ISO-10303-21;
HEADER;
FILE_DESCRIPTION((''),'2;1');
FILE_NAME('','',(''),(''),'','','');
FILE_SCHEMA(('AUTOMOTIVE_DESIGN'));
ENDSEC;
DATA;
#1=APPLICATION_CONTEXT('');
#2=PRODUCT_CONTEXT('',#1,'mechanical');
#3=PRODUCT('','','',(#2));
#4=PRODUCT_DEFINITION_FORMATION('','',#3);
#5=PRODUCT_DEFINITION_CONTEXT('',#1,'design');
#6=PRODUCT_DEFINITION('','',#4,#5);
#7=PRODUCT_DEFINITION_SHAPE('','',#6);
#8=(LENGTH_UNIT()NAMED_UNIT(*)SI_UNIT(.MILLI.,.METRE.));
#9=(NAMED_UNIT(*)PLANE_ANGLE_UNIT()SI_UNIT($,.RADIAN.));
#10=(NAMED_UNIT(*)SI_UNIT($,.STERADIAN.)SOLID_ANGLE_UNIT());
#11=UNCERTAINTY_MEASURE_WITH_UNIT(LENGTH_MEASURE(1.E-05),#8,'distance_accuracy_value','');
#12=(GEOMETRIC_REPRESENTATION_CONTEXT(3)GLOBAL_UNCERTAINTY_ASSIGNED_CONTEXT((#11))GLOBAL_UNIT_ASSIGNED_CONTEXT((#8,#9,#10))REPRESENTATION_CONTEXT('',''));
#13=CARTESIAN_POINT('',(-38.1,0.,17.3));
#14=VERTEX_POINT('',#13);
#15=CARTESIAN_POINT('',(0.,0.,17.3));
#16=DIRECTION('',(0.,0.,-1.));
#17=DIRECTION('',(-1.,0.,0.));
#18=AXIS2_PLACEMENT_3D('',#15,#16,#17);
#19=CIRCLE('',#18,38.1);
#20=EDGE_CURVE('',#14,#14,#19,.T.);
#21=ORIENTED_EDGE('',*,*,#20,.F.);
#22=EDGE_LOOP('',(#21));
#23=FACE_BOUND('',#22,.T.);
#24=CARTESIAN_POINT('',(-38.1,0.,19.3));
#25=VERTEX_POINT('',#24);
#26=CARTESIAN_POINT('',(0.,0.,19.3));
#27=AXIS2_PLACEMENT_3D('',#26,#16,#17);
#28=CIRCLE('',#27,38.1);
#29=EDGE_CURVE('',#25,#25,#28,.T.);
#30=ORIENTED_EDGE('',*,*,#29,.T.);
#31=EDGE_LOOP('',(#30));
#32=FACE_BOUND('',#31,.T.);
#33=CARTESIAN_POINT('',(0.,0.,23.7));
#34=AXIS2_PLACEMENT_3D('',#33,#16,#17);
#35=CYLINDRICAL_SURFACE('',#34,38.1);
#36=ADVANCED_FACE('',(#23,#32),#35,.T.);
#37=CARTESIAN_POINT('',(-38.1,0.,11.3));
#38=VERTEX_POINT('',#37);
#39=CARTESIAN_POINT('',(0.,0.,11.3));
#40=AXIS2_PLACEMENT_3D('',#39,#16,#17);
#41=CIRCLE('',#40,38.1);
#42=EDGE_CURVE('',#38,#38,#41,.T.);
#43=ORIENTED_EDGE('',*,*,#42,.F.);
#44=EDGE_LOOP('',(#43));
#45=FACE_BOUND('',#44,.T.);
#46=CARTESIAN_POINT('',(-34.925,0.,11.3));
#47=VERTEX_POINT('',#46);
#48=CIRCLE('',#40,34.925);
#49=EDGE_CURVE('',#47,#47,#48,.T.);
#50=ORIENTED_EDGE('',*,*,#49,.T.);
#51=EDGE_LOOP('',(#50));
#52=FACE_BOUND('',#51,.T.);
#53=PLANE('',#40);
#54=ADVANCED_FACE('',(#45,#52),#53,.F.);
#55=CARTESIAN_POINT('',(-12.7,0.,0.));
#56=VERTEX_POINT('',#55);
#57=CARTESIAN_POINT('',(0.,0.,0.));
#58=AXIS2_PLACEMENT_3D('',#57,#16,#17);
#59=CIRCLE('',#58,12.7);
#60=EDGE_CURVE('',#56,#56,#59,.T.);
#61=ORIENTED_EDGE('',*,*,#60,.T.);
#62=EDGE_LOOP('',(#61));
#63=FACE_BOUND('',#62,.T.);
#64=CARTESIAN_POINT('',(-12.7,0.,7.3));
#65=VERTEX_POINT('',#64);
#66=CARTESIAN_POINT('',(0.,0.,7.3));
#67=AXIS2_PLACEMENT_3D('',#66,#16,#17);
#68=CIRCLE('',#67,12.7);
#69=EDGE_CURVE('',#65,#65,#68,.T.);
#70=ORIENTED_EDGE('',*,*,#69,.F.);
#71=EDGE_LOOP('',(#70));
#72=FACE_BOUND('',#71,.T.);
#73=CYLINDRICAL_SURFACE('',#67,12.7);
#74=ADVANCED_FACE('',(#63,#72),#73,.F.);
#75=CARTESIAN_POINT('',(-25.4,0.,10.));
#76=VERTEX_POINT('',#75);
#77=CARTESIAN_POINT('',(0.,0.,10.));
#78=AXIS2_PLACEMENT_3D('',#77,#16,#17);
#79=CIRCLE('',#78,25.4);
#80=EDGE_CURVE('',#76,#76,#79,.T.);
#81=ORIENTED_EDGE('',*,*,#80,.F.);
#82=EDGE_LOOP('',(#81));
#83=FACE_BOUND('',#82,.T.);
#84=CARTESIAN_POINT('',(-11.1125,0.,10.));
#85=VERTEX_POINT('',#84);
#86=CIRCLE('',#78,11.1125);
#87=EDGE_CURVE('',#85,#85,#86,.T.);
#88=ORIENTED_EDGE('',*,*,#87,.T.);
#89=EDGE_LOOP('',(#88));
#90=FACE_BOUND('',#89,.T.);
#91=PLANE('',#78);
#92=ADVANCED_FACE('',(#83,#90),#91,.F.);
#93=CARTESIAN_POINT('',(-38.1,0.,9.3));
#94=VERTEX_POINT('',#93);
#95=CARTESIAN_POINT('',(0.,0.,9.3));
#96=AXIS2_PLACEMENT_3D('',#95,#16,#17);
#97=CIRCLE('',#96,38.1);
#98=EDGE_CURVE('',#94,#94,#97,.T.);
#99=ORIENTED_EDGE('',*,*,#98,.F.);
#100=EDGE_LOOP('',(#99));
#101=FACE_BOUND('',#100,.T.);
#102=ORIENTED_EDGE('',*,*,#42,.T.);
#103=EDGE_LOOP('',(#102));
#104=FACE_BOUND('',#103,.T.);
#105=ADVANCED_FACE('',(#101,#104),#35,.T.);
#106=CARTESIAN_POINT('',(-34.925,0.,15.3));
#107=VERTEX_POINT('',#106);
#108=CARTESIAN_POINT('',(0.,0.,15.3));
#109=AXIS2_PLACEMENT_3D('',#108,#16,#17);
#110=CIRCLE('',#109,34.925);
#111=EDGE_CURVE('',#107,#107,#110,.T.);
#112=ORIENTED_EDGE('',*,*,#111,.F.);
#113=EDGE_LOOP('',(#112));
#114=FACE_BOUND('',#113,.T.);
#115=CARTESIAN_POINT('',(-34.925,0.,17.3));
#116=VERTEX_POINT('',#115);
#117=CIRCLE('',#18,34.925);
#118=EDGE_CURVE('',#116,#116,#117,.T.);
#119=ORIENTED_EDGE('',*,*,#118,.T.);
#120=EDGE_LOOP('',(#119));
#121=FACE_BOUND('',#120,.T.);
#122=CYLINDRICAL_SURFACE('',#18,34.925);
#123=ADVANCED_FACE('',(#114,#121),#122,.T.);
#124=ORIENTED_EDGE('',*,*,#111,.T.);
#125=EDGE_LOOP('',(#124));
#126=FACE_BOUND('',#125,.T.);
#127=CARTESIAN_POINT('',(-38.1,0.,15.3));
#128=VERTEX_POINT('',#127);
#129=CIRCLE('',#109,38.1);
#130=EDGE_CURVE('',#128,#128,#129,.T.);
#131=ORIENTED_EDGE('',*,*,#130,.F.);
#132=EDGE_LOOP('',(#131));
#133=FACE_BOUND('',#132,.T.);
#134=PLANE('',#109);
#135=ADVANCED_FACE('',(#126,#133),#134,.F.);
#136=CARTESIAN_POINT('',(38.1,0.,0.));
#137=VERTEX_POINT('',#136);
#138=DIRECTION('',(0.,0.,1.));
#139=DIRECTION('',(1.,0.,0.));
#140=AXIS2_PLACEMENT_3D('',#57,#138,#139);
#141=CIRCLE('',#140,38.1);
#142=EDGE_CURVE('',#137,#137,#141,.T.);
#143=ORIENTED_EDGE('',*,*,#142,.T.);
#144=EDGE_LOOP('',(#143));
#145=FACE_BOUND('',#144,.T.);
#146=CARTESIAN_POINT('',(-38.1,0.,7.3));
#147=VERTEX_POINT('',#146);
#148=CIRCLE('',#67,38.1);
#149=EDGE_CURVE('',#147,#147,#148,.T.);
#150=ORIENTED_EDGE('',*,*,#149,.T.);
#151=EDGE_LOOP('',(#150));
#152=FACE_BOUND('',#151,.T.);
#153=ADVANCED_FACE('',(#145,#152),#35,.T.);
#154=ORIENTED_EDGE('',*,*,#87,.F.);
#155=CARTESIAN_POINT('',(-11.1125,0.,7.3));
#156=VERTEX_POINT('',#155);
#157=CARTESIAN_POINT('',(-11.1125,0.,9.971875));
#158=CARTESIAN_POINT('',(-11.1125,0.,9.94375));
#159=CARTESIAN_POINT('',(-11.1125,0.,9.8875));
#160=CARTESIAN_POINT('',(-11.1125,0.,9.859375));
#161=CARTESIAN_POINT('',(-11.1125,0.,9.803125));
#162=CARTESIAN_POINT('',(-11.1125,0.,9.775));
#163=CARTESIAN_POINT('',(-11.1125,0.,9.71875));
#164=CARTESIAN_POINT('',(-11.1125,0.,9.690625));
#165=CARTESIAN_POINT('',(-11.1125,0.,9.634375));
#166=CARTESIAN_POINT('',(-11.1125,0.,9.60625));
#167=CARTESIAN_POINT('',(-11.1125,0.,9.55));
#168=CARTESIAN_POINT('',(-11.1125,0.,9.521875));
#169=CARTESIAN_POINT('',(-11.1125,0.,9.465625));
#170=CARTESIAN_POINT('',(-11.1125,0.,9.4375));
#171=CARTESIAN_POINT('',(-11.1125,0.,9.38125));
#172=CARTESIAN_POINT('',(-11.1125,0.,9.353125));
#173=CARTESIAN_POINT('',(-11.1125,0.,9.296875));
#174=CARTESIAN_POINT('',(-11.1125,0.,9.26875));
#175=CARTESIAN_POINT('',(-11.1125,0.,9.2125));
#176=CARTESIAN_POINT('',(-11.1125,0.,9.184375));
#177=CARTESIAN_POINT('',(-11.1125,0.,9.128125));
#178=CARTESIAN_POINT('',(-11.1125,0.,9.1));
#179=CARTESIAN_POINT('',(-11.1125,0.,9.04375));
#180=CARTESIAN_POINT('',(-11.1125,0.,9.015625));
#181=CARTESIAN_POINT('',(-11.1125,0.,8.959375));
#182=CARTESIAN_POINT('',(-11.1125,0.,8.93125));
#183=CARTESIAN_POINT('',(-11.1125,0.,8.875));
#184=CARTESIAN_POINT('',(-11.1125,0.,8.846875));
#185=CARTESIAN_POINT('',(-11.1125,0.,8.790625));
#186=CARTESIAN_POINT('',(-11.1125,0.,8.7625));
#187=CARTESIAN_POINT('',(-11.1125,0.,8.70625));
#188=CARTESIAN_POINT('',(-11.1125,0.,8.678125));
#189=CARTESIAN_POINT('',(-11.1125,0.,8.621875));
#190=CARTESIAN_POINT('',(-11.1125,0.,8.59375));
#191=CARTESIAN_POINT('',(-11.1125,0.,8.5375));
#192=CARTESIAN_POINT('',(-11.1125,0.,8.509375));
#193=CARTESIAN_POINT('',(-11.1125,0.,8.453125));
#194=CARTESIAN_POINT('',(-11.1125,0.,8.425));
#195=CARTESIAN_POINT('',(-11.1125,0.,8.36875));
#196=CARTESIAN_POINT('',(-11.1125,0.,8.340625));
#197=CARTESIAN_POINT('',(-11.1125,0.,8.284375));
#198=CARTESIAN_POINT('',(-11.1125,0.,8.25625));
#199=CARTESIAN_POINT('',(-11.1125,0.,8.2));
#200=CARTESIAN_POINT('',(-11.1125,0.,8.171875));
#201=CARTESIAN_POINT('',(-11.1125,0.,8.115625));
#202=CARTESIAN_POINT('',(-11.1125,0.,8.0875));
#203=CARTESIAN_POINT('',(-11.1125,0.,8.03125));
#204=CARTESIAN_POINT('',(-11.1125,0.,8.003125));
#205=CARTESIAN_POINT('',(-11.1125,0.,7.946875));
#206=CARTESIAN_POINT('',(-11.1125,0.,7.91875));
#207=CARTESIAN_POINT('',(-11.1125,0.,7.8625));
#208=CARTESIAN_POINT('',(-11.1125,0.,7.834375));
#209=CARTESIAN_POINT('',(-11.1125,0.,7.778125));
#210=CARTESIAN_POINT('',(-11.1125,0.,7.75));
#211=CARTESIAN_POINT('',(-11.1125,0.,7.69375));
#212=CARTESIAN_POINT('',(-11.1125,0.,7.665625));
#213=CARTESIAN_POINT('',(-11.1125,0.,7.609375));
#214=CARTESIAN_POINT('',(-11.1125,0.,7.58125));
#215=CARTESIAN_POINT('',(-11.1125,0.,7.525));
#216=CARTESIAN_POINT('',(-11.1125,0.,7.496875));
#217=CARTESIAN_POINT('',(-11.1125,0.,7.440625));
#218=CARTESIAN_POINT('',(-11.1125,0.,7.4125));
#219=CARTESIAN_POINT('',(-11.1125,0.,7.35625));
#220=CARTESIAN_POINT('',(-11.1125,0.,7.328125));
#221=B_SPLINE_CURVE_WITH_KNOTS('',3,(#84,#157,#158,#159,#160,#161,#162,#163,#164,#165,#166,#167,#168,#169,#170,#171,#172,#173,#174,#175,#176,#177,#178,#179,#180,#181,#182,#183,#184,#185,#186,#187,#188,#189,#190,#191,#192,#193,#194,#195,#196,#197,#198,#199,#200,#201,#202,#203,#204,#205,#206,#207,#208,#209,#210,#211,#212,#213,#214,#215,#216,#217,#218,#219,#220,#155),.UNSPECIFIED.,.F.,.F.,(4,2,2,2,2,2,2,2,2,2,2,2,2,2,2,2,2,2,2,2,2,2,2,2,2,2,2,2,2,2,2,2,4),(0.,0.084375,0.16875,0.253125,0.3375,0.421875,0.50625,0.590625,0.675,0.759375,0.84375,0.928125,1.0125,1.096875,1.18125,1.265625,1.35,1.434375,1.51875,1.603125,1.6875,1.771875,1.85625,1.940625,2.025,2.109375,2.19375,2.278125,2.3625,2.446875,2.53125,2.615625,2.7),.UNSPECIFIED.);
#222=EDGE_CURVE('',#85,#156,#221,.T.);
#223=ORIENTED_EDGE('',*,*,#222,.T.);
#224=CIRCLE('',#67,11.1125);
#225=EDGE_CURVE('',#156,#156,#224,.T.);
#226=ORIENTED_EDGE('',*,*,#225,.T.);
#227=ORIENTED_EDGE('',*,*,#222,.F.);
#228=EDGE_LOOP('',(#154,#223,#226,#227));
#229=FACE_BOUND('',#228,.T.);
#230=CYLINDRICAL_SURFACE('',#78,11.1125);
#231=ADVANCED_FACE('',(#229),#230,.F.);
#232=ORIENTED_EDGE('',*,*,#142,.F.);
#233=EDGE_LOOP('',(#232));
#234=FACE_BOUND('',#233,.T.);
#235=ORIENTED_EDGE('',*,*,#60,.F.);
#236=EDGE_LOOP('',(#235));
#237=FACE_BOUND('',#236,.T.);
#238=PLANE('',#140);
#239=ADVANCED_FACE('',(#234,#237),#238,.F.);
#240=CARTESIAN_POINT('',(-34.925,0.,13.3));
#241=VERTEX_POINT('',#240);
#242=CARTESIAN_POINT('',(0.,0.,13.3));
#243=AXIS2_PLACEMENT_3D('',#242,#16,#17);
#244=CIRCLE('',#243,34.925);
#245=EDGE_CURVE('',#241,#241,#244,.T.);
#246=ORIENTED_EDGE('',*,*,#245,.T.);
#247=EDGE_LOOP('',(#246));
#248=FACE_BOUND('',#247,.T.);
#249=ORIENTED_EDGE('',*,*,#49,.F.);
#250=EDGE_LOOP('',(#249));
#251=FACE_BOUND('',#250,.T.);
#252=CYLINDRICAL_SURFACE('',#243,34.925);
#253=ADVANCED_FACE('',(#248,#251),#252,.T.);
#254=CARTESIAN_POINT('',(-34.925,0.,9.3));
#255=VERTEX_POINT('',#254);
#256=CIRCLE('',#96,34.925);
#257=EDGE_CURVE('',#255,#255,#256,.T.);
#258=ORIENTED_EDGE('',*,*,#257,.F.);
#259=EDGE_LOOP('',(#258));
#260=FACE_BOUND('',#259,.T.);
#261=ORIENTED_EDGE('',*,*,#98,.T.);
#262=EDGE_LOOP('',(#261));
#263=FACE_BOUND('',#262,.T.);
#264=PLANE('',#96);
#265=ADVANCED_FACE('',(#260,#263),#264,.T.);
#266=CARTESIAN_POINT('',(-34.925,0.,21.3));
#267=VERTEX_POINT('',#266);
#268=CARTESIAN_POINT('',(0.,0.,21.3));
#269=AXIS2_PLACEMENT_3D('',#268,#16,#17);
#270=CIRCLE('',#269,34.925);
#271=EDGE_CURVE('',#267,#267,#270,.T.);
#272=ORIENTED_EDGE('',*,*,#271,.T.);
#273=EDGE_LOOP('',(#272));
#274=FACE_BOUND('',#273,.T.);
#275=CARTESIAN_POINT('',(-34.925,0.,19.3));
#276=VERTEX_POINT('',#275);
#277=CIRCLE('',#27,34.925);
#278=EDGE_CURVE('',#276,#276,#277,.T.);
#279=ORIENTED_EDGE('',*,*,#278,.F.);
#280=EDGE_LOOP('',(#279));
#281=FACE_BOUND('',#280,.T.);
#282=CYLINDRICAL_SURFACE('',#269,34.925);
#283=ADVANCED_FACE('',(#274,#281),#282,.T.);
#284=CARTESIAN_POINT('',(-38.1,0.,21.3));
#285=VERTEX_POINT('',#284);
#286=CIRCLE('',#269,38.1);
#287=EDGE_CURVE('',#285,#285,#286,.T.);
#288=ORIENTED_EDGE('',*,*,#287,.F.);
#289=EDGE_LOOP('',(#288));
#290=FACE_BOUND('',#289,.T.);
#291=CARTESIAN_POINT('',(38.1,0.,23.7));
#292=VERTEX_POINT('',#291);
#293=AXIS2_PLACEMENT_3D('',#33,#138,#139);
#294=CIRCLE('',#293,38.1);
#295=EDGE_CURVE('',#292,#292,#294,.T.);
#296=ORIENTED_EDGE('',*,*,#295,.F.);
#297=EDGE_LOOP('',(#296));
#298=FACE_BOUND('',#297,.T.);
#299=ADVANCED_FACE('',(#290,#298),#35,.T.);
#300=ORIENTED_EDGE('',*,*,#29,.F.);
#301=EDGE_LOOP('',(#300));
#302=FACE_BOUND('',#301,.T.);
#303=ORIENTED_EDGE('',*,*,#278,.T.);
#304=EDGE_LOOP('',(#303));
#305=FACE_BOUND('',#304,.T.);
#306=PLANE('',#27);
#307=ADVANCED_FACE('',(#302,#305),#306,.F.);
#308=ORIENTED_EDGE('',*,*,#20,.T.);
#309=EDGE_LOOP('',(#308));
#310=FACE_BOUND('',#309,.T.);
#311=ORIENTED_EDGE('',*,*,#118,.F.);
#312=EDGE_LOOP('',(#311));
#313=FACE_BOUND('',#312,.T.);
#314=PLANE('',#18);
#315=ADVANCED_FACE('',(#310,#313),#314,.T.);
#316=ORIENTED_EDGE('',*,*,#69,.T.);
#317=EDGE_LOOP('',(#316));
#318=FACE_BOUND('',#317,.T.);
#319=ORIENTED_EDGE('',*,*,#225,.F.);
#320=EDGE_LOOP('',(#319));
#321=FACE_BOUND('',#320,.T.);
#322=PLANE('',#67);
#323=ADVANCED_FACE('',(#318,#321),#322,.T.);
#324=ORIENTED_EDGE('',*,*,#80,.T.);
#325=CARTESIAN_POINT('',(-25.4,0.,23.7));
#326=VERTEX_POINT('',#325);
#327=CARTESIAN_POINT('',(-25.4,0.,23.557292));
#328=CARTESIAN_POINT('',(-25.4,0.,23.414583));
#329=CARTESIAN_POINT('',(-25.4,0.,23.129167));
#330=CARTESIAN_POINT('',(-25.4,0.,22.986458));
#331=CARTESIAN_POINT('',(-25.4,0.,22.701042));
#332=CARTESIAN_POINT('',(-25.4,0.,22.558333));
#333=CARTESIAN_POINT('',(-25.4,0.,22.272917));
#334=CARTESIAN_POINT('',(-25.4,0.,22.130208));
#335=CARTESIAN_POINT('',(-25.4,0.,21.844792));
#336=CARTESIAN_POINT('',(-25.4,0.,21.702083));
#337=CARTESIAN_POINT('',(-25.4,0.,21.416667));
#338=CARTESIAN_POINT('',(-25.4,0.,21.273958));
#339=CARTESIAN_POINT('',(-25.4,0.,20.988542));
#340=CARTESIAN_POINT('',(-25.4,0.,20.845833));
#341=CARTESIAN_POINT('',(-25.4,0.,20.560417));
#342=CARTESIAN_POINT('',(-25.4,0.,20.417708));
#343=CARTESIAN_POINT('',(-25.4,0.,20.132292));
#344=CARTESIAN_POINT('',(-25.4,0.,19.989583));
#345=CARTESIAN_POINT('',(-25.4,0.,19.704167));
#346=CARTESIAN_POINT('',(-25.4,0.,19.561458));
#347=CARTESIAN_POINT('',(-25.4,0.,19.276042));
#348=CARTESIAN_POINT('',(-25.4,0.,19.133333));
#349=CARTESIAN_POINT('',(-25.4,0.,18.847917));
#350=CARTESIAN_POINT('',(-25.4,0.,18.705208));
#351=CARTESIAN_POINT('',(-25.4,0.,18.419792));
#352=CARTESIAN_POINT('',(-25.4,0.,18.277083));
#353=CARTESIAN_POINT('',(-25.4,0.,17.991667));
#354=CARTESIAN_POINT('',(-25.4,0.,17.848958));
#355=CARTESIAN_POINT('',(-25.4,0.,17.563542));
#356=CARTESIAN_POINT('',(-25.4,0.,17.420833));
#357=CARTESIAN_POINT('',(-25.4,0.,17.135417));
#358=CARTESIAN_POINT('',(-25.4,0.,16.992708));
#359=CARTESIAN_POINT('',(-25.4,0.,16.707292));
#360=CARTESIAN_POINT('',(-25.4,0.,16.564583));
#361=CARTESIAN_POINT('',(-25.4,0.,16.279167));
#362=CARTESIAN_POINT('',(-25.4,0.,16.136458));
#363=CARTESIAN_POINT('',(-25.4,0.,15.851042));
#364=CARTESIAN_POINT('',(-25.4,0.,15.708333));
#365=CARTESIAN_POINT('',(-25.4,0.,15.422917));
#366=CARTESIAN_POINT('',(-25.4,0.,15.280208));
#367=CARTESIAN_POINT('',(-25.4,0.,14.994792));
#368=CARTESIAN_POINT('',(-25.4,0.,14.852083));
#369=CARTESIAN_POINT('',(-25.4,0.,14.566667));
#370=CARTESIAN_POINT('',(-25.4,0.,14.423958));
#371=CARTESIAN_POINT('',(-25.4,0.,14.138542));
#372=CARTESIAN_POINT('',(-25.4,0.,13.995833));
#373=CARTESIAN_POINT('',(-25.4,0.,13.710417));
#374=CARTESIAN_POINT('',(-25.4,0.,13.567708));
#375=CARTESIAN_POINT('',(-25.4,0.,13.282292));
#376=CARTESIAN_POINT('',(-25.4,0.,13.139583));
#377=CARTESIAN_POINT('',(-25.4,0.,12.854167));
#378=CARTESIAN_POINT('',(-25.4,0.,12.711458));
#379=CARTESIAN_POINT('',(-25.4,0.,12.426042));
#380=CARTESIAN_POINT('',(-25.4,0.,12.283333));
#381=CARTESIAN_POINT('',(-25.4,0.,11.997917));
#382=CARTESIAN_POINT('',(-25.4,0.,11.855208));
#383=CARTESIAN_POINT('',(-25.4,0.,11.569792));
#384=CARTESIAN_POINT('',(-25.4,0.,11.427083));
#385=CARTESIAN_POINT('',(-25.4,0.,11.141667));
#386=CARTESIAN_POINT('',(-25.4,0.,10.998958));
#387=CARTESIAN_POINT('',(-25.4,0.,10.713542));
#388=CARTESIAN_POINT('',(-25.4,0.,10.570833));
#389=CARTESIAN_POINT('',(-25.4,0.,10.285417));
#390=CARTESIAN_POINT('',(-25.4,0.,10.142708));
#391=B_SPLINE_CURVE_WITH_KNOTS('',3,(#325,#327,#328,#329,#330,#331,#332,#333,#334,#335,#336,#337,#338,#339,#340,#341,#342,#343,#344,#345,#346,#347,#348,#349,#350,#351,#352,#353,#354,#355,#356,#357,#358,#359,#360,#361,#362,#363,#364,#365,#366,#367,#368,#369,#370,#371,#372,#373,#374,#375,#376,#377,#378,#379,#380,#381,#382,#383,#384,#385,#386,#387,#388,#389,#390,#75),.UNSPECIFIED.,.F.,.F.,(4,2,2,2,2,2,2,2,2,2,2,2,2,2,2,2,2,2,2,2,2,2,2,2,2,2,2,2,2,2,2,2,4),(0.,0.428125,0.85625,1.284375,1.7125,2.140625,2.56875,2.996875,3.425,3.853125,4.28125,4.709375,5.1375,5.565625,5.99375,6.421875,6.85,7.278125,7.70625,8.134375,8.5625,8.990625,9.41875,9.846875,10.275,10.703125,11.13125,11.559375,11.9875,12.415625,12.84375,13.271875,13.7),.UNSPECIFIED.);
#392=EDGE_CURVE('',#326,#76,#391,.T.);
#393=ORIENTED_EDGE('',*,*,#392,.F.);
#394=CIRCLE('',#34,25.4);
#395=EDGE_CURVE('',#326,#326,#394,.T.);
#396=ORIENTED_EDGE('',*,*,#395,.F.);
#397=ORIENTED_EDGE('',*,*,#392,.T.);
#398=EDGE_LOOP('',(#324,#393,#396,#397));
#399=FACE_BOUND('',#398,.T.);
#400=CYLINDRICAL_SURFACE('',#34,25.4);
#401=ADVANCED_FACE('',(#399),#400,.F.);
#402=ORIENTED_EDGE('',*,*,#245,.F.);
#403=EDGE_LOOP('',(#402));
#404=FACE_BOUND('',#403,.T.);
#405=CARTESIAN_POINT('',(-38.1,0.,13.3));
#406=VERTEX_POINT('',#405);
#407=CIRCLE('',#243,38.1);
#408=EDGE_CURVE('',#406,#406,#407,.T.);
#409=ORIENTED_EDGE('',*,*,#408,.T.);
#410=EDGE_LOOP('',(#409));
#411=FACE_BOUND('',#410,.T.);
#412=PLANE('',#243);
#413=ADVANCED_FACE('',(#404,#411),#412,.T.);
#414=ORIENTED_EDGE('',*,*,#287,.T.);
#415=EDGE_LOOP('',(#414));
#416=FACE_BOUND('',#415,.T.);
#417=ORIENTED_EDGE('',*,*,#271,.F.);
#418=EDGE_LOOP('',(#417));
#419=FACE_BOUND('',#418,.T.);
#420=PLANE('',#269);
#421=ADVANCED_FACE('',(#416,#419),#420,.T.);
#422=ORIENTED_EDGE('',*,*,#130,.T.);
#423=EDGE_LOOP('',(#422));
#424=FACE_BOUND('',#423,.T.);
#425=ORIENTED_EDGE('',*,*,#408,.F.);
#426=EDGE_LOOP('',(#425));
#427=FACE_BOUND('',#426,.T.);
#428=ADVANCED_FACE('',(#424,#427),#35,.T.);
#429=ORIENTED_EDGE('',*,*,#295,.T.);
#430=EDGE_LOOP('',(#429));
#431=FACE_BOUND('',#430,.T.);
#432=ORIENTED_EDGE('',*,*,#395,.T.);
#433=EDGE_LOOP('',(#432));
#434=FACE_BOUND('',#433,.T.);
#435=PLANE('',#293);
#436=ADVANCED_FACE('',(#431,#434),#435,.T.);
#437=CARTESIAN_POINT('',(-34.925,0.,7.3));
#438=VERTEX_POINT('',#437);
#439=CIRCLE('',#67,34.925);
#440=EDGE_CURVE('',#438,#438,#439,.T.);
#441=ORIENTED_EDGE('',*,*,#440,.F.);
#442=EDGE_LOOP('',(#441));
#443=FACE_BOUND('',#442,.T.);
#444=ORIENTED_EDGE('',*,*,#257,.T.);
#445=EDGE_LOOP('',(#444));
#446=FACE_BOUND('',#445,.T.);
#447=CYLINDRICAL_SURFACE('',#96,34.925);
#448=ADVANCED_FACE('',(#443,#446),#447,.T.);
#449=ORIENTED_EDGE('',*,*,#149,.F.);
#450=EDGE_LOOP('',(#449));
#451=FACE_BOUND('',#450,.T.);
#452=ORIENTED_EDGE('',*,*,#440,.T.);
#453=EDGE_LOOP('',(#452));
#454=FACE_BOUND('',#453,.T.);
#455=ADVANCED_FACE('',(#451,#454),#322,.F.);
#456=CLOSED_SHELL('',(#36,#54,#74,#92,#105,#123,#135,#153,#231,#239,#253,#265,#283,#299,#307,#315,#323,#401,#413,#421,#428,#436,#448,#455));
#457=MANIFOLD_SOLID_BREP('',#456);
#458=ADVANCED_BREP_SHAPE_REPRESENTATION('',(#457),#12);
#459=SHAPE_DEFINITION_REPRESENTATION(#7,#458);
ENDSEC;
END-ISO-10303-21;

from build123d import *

# Parameters (mm, degrees)
ESQUISSE1_R                = 38.1
BOSS_EXTRU_1_DEPTH         = 23.7
ESQUISSE2_R                = 12.7
ENL_V_MAT_EXTRU_1_DEPTH    = 7.3
ESQUISSE3_R                = 11.1125
ENL_V_MAT_EXTRU_2_DEPTH    = 2.7
ESQUISSE4_R                = 25.4
ENL_V_MAT_EXTRU_3_DEPTH    = 56.59595309
ESQUISSE6_OUTSIDE_W        = 100.268
ESQUISSE6_OUTSIDE_H        = 100.268
ESQUISSE6_OUTSIDE_R        = 34.925
ENL_V_MAT_EXTRU_4_DEPTH    = 2
R_P_TITION_LIN_AIRE1_COUNT = 4
R_P_TITION_LIN_AIRE1_PITCH = 4


with BuildPart() as part:
    # Esquisse1 → Boss.-Extru.1 (new body)
    with BuildSketch(Plane.XY):
        Circle(ESQUISSE1_R)
    extrude(amount=BOSS_EXTRU_1_DEPTH)

    # Esquisse2 → Enlèv. mat.-Extru.1 (cut)
    with BuildSketch(Plane(origin=(0, 0, 0), x_dir=(-1, 0, 0), z_dir=(0, 0, -1))):
        Circle(ESQUISSE2_R)
    extrude(amount=-ENL_V_MAT_EXTRU_1_DEPTH, mode=Mode.SUBTRACT)

    # Esquisse3 → Enlèv. mat.-Extru.2 (cut)
    with BuildSketch(Plane(origin=(0, 0, 7.3), x_dir=(-1, 0, 0), z_dir=(0, 0, -1))):
        Circle(ESQUISSE3_R)
    extrude(amount=-ENL_V_MAT_EXTRU_2_DEPTH, mode=Mode.SUBTRACT)

    # Esquisse4 → Enlèv. mat.-Extru.3 (cut, through all)
    with BuildSketch(Plane(origin=(0, 0, 10), x_dir=(-1, 0, 0), z_dir=(0, 0, -1))):
        Circle(ESQUISSE4_R)
    extrude(amount=-ENL_V_MAT_EXTRU_3_DEPTH, mode=Mode.SUBTRACT)

    # Esquisse6 outside → Enlèv. mat.-Extru.4 (cut)
    with BuildSketch(Plane(origin=(0, 0, 7.3), x_dir=(-1, 0, 0), z_dir=(0, 0, -1))):
        Rectangle(ESQUISSE6_OUTSIDE_W, ESQUISSE6_OUTSIDE_H)
        Circle(ESQUISSE6_OUTSIDE_R, mode=Mode.SUBTRACT)
    enl_v_mat_extru_4 = extrude(amount=-ENL_V_MAT_EXTRU_4_DEPTH, mode=Mode.SUBTRACT)

    # Répétition linéaire1: Enlèv. mat.-Extru.4 ×4
    with Locations(*[(0, 0, i * R_P_TITION_LIN_AIRE1_PITCH) for i in range(1, R_P_TITION_LIN_AIRE1_COUNT)]):
        add(enl_v_mat_extru_4, mode=Mode.SUBTRACT)


solid = part.part
